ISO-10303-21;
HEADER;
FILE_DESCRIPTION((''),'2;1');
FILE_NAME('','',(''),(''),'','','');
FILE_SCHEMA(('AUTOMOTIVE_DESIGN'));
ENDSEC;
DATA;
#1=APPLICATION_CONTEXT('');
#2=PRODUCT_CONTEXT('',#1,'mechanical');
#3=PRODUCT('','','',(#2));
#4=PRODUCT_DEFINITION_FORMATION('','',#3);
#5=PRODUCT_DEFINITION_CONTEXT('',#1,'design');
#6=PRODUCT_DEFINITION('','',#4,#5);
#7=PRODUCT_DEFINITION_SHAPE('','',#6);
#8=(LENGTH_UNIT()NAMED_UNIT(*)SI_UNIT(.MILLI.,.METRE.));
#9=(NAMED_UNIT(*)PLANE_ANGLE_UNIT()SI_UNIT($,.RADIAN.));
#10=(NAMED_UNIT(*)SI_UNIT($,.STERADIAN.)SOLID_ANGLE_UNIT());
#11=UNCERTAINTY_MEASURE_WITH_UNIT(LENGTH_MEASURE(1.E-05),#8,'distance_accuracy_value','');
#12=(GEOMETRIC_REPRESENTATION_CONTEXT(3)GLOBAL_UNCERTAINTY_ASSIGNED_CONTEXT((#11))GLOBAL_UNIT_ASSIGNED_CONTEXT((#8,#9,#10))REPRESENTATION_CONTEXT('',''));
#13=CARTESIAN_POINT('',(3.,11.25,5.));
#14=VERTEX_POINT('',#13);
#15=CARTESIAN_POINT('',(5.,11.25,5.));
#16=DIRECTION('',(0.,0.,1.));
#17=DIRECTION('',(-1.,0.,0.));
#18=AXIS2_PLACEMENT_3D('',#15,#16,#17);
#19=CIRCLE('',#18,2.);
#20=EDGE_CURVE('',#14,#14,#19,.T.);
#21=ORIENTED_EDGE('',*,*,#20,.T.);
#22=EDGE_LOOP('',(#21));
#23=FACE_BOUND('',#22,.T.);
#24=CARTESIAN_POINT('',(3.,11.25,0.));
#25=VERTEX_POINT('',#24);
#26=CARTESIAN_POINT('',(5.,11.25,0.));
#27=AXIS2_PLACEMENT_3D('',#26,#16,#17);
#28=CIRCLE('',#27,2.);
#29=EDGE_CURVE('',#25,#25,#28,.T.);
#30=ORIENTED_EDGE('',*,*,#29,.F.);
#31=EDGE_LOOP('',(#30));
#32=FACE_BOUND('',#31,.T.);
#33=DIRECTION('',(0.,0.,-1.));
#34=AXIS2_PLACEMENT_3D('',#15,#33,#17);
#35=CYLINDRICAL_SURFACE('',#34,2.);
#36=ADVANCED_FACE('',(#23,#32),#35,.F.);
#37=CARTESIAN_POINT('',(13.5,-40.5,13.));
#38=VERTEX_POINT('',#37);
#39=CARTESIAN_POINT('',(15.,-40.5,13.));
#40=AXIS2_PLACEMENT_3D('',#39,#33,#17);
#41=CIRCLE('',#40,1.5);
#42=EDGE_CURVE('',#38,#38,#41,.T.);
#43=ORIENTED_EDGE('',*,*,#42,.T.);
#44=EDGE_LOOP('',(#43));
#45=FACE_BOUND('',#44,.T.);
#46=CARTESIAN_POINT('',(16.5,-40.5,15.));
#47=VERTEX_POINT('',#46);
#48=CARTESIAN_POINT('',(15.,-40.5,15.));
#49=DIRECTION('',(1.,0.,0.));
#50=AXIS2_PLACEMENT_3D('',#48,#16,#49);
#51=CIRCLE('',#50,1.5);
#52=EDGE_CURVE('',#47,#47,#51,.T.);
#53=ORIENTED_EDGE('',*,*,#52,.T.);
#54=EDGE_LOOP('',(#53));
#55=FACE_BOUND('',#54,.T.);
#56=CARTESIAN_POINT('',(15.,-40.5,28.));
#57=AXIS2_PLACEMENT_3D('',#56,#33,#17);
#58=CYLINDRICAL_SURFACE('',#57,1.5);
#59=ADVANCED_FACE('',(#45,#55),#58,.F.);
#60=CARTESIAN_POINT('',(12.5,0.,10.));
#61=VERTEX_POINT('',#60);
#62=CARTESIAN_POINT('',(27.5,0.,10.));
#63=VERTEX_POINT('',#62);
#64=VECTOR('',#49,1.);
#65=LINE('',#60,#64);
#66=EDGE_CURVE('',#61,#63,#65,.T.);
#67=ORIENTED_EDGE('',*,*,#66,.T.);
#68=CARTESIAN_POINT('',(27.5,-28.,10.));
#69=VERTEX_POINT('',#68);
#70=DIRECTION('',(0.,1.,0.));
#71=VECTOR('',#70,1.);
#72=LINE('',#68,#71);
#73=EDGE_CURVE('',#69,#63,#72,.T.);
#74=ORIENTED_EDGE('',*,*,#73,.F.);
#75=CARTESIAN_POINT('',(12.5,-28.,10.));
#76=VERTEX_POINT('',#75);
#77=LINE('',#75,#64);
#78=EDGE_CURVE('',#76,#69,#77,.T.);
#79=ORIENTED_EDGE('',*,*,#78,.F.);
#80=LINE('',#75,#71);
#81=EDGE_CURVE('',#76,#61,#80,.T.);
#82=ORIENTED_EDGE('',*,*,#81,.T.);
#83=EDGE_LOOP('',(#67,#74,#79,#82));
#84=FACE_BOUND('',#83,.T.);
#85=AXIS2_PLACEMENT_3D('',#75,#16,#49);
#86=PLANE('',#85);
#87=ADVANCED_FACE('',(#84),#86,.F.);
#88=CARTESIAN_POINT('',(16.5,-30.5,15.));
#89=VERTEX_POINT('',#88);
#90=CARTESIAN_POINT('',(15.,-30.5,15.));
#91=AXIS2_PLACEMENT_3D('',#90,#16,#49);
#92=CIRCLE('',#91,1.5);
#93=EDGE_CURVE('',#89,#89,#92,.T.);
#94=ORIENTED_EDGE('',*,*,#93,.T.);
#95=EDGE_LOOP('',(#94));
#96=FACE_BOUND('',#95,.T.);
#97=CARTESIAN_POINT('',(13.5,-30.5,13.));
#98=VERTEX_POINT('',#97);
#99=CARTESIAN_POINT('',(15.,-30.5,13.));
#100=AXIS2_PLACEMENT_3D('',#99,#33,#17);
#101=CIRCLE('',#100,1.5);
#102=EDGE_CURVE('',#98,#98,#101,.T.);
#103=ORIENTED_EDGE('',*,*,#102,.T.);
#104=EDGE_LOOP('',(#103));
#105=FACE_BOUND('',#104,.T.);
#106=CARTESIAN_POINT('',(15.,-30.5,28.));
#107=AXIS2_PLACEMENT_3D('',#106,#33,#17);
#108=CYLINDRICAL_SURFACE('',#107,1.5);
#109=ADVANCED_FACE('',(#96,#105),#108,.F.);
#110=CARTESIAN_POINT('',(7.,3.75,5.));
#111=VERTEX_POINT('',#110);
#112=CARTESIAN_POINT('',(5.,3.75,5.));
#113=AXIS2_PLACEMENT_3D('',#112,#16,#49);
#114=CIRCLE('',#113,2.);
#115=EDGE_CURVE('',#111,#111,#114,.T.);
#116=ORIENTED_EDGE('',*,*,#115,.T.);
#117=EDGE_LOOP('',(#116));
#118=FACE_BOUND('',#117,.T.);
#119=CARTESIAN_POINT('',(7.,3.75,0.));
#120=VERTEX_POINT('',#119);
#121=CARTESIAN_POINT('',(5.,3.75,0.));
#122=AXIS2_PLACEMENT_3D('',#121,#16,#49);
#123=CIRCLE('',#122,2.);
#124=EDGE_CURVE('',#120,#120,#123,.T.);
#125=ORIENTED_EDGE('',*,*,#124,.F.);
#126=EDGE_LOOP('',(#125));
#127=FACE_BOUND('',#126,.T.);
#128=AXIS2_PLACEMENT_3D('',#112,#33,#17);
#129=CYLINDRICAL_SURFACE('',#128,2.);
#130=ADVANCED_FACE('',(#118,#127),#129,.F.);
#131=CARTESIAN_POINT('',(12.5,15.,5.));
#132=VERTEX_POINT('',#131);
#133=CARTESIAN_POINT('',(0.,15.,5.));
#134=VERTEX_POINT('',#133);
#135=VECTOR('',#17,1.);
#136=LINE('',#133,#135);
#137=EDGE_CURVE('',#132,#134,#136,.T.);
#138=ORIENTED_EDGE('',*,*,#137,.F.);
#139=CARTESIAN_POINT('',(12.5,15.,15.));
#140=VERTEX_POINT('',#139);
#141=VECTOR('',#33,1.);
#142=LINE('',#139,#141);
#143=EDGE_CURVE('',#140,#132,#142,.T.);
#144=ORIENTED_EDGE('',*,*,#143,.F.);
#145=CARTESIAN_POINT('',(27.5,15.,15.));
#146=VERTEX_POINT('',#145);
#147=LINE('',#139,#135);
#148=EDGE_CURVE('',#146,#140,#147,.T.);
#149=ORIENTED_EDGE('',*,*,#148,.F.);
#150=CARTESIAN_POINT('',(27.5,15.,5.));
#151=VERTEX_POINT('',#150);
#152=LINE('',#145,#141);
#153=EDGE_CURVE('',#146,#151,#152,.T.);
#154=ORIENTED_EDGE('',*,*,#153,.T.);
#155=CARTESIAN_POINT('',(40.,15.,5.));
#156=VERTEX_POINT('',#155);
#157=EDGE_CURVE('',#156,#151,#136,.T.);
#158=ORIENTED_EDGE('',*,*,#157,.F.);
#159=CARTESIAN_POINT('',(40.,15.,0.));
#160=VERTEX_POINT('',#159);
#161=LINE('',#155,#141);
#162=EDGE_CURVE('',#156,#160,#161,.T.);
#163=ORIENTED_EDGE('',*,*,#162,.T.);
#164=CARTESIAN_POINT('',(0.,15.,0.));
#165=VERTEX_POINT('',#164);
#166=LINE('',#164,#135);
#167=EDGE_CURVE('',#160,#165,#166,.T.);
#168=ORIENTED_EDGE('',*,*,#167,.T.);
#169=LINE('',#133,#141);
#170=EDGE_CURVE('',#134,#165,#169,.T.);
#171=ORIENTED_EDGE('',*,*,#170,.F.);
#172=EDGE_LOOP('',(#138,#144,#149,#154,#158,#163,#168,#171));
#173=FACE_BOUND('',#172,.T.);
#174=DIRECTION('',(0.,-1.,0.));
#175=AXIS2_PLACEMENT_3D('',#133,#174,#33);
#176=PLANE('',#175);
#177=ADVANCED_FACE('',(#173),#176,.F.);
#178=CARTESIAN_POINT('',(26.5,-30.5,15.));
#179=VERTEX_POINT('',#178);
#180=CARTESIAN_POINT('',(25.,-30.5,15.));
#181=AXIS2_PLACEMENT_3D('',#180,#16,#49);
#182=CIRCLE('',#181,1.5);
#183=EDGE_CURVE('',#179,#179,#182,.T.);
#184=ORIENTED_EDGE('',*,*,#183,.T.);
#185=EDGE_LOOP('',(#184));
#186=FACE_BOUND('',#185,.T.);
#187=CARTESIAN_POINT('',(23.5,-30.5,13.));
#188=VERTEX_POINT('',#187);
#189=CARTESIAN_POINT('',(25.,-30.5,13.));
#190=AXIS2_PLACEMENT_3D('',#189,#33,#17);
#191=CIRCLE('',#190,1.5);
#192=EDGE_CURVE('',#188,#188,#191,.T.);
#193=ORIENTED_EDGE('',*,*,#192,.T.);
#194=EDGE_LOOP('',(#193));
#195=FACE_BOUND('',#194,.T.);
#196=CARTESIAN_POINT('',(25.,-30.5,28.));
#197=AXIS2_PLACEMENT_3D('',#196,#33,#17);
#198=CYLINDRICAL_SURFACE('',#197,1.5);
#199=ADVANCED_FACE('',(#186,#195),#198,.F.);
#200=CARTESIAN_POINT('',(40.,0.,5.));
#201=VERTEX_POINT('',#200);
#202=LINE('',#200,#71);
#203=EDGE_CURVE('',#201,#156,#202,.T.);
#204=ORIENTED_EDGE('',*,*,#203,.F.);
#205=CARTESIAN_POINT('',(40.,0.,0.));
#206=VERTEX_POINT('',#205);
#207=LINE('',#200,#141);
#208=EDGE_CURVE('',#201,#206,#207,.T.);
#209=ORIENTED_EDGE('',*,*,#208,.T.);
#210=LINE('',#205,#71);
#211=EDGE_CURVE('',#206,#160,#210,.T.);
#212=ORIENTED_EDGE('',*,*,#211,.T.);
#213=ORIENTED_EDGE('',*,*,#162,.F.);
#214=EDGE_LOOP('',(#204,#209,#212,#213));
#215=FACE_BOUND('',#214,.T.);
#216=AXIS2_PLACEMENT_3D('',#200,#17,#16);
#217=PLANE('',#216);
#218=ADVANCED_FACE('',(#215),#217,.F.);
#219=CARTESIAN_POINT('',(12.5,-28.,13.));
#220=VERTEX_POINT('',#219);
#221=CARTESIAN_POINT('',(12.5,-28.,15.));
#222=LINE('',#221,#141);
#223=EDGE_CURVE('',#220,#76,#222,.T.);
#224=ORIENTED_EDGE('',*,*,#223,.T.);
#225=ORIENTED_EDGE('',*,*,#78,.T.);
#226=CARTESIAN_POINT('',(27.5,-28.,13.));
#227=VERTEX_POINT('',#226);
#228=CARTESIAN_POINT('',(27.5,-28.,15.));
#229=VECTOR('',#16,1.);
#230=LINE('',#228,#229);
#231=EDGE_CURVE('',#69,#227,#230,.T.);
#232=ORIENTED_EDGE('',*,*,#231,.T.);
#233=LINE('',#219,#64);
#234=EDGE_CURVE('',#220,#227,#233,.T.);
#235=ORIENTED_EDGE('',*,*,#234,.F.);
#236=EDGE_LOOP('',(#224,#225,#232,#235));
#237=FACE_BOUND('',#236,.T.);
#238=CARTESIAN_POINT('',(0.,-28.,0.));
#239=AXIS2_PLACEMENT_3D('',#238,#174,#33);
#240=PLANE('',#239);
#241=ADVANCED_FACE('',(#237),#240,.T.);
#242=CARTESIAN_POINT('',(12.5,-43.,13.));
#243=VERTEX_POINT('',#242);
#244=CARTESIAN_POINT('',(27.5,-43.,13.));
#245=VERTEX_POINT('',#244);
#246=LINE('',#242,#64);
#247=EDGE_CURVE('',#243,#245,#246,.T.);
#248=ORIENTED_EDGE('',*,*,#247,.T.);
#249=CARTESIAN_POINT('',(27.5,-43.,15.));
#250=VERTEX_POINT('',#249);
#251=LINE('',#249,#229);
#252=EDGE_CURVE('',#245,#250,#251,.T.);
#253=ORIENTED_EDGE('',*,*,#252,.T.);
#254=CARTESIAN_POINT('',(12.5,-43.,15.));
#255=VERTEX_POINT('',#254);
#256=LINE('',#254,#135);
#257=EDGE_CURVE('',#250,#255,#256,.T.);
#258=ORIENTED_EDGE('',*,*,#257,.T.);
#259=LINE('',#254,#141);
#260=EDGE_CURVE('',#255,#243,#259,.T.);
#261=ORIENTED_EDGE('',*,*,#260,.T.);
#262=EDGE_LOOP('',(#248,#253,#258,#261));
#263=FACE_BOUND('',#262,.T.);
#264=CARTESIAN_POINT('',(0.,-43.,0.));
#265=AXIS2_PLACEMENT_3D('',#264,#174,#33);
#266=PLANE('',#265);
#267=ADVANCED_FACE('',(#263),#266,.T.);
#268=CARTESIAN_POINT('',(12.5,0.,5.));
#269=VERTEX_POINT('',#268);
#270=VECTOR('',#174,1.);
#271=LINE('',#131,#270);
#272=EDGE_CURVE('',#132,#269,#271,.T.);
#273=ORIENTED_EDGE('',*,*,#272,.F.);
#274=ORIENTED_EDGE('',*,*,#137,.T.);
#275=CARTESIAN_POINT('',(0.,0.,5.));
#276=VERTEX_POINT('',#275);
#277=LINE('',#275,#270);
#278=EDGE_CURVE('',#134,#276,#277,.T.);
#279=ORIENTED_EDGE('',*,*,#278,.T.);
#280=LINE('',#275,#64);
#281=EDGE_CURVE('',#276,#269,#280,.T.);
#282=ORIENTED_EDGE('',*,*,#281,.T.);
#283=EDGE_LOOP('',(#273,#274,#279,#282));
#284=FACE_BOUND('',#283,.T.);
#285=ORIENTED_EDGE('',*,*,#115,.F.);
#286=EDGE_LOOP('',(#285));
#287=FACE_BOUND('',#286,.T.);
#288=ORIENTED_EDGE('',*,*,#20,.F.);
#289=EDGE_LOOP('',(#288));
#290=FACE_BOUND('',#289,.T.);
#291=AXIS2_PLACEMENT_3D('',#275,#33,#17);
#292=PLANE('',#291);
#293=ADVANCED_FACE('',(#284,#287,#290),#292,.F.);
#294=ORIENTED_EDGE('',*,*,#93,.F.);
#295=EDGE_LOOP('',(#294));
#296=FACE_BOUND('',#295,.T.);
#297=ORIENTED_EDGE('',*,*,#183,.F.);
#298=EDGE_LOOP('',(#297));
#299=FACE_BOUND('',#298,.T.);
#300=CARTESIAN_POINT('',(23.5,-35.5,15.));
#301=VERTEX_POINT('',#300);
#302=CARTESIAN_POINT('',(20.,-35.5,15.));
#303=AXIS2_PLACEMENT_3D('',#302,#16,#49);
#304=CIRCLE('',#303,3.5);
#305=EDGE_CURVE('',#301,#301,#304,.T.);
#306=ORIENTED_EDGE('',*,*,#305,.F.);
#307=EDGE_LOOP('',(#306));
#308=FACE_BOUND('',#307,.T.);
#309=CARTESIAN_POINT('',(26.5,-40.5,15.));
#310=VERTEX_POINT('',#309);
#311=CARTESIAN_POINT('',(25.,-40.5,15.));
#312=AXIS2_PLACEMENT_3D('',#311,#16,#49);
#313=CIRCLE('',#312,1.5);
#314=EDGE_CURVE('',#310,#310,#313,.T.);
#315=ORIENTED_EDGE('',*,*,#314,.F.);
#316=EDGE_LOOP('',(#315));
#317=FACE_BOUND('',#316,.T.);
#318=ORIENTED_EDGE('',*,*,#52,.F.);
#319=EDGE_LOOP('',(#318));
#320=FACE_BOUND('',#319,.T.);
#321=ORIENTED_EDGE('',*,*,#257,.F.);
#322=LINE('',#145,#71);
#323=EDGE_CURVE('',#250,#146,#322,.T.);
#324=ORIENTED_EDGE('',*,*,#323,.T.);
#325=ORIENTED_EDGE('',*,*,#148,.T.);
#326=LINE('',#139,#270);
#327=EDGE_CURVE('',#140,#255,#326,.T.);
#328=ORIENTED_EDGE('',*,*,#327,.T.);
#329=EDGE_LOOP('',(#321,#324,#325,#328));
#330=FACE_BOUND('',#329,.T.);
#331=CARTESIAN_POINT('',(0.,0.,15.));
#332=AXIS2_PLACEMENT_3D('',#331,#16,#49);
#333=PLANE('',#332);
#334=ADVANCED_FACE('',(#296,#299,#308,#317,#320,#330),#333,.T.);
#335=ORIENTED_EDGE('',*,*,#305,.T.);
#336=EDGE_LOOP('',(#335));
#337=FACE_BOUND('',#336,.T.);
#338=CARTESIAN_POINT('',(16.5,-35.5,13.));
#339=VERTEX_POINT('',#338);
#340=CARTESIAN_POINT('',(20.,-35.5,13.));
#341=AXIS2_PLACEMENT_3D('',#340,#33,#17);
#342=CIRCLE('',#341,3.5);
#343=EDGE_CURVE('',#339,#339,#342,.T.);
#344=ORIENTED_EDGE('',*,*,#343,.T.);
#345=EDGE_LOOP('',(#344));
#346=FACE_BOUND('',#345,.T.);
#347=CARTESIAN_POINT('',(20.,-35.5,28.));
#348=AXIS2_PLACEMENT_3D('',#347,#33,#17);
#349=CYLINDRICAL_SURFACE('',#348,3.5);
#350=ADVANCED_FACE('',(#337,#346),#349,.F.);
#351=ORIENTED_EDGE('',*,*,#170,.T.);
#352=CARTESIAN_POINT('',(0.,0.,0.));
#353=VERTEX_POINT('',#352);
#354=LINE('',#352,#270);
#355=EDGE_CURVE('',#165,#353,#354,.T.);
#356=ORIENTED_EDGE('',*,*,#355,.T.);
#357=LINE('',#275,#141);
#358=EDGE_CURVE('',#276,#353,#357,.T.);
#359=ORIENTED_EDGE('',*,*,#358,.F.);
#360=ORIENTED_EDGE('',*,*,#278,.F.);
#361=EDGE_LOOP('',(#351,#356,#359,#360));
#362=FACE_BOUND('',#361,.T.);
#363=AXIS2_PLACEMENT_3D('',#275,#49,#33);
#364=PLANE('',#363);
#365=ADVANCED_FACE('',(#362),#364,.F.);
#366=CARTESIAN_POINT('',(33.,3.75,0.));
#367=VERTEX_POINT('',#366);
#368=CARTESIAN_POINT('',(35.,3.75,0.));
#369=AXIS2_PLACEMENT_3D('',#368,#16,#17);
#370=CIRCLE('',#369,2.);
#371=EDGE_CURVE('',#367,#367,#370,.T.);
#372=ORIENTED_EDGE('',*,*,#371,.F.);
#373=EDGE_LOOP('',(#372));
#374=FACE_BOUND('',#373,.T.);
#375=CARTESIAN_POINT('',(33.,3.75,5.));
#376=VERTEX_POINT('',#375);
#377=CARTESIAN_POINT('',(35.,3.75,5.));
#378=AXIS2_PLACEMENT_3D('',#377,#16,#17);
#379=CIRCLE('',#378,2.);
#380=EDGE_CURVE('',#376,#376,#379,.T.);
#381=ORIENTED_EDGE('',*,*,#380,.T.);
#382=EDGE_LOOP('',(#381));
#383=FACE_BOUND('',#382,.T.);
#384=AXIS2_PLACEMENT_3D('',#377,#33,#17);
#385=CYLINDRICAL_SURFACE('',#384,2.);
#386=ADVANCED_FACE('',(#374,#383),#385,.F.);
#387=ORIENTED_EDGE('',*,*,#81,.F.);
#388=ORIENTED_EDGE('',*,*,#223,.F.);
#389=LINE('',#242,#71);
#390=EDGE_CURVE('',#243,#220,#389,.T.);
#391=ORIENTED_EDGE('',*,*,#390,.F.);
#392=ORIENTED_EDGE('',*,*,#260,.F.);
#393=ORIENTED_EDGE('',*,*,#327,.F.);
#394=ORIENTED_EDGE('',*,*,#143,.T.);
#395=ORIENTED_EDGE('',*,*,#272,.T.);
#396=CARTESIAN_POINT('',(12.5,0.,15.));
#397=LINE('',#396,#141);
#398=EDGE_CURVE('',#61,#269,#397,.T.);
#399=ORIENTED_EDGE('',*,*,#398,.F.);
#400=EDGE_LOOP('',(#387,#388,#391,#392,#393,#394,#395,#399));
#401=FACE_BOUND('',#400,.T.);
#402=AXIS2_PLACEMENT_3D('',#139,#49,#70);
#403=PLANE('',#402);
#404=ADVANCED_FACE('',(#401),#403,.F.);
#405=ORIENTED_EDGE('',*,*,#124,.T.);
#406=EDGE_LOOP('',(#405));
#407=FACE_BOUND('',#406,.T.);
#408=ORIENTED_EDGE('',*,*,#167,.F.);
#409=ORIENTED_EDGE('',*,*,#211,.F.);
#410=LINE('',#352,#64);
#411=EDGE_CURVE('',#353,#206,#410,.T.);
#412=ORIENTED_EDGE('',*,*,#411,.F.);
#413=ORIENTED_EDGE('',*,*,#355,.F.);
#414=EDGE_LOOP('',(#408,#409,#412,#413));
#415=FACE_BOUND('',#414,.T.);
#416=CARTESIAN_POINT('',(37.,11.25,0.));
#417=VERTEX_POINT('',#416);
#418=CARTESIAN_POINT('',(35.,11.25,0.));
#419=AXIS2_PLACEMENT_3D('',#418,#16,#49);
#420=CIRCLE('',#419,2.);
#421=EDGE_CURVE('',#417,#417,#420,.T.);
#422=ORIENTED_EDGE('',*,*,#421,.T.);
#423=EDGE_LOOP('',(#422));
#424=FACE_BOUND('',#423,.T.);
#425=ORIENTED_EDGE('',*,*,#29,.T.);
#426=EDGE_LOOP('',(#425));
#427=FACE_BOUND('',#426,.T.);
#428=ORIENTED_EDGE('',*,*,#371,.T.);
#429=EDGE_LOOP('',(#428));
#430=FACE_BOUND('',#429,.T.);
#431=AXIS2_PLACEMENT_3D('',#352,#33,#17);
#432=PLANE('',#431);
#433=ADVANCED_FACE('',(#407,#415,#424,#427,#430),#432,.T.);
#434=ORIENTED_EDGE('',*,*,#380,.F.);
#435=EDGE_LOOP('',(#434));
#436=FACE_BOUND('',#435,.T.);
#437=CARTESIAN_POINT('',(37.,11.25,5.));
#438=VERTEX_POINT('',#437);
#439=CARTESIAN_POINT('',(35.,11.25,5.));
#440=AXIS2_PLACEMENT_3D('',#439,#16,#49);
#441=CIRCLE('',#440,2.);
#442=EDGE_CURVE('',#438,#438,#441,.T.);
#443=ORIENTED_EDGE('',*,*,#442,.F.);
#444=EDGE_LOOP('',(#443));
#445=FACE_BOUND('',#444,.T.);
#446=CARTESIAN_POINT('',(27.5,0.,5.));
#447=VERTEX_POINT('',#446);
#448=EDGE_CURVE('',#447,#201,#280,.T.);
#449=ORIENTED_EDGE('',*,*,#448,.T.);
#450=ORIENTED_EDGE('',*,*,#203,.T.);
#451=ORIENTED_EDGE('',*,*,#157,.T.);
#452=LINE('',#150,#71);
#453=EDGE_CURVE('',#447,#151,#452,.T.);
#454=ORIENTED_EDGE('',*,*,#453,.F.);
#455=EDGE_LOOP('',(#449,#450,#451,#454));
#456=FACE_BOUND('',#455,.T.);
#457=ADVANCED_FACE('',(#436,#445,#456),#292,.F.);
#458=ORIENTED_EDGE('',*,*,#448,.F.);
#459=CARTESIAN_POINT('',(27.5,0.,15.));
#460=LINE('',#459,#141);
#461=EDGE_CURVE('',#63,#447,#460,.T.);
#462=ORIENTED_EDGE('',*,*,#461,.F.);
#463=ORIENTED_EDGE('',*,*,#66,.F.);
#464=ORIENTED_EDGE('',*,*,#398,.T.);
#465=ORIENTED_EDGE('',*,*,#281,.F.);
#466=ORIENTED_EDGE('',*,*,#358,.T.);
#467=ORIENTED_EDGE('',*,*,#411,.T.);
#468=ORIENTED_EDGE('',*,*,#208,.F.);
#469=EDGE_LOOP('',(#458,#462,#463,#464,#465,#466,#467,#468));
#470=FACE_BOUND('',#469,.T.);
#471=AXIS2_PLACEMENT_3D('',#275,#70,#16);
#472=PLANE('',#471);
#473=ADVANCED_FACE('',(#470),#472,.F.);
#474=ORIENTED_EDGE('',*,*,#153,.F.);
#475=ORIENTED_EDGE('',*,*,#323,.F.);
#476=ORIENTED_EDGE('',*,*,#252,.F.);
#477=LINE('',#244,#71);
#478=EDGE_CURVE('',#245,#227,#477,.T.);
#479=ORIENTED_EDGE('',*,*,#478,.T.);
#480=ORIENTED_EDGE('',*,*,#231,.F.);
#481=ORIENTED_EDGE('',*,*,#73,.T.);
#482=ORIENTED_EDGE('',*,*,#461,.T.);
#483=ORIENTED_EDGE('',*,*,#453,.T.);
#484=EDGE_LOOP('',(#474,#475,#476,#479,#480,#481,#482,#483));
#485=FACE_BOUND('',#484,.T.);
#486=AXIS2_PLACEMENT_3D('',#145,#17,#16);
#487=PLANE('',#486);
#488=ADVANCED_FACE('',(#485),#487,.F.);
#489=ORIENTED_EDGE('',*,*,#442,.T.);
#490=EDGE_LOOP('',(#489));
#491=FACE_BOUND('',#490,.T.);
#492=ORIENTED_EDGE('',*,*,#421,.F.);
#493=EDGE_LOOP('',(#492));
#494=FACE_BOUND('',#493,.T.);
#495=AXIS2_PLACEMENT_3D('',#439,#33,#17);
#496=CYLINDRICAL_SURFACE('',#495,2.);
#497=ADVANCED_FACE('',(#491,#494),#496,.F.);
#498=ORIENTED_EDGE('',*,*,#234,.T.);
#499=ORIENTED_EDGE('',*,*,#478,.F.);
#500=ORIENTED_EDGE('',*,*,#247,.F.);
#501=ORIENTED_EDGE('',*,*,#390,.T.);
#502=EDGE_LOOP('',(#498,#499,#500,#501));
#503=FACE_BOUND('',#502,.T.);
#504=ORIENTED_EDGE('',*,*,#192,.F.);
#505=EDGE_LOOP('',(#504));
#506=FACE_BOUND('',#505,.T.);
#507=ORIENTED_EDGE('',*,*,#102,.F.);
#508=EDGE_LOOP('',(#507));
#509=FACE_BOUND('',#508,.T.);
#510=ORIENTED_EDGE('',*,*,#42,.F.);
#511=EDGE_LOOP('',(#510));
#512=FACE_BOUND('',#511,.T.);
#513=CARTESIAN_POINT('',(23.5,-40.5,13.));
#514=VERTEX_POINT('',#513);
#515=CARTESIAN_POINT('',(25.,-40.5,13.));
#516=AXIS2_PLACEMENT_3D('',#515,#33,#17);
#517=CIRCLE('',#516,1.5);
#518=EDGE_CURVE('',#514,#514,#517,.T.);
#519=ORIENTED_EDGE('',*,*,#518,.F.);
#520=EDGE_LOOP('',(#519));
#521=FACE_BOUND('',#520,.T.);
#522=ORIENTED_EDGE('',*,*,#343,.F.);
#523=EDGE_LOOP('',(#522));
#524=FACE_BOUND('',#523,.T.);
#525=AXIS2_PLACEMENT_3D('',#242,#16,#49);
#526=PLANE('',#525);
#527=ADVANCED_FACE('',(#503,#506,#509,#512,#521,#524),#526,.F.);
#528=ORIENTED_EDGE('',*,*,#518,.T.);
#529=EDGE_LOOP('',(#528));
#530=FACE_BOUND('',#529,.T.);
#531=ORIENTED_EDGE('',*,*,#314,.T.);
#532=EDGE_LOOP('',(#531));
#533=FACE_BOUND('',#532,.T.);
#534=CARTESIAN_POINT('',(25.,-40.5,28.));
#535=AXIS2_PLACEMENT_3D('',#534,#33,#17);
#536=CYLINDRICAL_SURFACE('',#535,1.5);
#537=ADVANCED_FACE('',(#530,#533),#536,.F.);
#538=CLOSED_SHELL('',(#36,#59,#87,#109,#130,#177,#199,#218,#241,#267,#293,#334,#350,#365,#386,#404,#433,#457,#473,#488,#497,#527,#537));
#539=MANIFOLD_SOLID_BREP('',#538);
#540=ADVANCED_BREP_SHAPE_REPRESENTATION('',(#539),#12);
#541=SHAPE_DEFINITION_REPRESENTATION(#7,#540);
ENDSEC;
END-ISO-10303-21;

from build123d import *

# Parameters (mm, degrees)
SKETCH2_W           = 40
SKETCH2_H           = 15
SKETCH2_R           = 2
BOSS_EXTRUDE1_DEPTH = 5
SKETCH3_W           = 15
SKETCH3_H           = 15
BOSS_EXTRUDE2_DEPTH = 10
SKETCH4_W           = 15
SKETCH4_H           = 5
BOSS_EXTRUDE3_DEPTH = 28
SKETCH5_W           = 15
SKETCH5_H           = 2
BOSS_EXTRUDE4_DEPTH = 15
SKETCH6_R           = 1.5
SKETCH6_R_2         = 3.5
CUT_EXTRUDE1_DEPTH  = 15


with BuildPart() as part:
    # Sketch2 → Boss-Extrude1 (new body)
    with BuildSketch(Plane.XY):
        with Locations((20, 7.5)):
            Rectangle(SKETCH2_W, SKETCH2_H)
        with Locations((5, 3.75)):
            Circle(SKETCH2_R, mode=Mode.SUBTRACT)
        with Locations(Location((5, 11.25, 0), (0, 0, 180))):
            Circle(SKETCH2_R, mode=Mode.SUBTRACT)
        with Locations(Location((35, 3.75, 0), (0, 0, 180))):
            Circle(SKETCH2_R, mode=Mode.SUBTRACT)
        with Locations((35, 11.25)):
            Circle(SKETCH2_R, mode=Mode.SUBTRACT)
    extrude(amount=BOSS_EXTRUDE1_DEPTH)

    # Sketch3 → Boss-Extrude2 (add)
    with BuildSketch(Plane.XY.offset(5)):
        with Locations((20, 7.5)):
            Rectangle(SKETCH3_W, SKETCH3_H)
    extrude(amount=BOSS_EXTRUDE2_DEPTH)

    # Sketch4 → Boss-Extrude3 (add)
    with BuildSketch(Plane.XZ):
        with Locations((20, 12.5)):
            Rectangle(SKETCH4_W, SKETCH4_H)
    extrude(amount=BOSS_EXTRUDE3_DEPTH)

    # Sketch5 → Boss-Extrude4 (add)
    with BuildSketch(Plane.XZ.offset(28)):
        with Locations((20, 14)):
            Rectangle(SKETCH5_W, SKETCH5_H)
    extrude(amount=BOSS_EXTRUDE4_DEPTH)

    # Sketch6 → Cut-Extrude1 (cut)
    with BuildSketch(Plane(origin=(0, 0, 13), x_dir=(-1, 0, 0), z_dir=(0, 0, -1))):
        with Locations((-15, -30.5)):
            Circle(SKETCH6_R)
        with Locations((-25, -30.5)):
            Circle(SKETCH6_R)
        with Locations((-20, -35.5)):
            Circle(SKETCH6_R_2)
        with Locations((-15, -40.5)):
            Circle(SKETCH6_R)
        with Locations((-25, -40.5)):
            Circle(SKETCH6_R)
    extrude(amount=-CUT_EXTRUDE1_DEPTH, mode=Mode.SUBTRACT)


solid = part.part
